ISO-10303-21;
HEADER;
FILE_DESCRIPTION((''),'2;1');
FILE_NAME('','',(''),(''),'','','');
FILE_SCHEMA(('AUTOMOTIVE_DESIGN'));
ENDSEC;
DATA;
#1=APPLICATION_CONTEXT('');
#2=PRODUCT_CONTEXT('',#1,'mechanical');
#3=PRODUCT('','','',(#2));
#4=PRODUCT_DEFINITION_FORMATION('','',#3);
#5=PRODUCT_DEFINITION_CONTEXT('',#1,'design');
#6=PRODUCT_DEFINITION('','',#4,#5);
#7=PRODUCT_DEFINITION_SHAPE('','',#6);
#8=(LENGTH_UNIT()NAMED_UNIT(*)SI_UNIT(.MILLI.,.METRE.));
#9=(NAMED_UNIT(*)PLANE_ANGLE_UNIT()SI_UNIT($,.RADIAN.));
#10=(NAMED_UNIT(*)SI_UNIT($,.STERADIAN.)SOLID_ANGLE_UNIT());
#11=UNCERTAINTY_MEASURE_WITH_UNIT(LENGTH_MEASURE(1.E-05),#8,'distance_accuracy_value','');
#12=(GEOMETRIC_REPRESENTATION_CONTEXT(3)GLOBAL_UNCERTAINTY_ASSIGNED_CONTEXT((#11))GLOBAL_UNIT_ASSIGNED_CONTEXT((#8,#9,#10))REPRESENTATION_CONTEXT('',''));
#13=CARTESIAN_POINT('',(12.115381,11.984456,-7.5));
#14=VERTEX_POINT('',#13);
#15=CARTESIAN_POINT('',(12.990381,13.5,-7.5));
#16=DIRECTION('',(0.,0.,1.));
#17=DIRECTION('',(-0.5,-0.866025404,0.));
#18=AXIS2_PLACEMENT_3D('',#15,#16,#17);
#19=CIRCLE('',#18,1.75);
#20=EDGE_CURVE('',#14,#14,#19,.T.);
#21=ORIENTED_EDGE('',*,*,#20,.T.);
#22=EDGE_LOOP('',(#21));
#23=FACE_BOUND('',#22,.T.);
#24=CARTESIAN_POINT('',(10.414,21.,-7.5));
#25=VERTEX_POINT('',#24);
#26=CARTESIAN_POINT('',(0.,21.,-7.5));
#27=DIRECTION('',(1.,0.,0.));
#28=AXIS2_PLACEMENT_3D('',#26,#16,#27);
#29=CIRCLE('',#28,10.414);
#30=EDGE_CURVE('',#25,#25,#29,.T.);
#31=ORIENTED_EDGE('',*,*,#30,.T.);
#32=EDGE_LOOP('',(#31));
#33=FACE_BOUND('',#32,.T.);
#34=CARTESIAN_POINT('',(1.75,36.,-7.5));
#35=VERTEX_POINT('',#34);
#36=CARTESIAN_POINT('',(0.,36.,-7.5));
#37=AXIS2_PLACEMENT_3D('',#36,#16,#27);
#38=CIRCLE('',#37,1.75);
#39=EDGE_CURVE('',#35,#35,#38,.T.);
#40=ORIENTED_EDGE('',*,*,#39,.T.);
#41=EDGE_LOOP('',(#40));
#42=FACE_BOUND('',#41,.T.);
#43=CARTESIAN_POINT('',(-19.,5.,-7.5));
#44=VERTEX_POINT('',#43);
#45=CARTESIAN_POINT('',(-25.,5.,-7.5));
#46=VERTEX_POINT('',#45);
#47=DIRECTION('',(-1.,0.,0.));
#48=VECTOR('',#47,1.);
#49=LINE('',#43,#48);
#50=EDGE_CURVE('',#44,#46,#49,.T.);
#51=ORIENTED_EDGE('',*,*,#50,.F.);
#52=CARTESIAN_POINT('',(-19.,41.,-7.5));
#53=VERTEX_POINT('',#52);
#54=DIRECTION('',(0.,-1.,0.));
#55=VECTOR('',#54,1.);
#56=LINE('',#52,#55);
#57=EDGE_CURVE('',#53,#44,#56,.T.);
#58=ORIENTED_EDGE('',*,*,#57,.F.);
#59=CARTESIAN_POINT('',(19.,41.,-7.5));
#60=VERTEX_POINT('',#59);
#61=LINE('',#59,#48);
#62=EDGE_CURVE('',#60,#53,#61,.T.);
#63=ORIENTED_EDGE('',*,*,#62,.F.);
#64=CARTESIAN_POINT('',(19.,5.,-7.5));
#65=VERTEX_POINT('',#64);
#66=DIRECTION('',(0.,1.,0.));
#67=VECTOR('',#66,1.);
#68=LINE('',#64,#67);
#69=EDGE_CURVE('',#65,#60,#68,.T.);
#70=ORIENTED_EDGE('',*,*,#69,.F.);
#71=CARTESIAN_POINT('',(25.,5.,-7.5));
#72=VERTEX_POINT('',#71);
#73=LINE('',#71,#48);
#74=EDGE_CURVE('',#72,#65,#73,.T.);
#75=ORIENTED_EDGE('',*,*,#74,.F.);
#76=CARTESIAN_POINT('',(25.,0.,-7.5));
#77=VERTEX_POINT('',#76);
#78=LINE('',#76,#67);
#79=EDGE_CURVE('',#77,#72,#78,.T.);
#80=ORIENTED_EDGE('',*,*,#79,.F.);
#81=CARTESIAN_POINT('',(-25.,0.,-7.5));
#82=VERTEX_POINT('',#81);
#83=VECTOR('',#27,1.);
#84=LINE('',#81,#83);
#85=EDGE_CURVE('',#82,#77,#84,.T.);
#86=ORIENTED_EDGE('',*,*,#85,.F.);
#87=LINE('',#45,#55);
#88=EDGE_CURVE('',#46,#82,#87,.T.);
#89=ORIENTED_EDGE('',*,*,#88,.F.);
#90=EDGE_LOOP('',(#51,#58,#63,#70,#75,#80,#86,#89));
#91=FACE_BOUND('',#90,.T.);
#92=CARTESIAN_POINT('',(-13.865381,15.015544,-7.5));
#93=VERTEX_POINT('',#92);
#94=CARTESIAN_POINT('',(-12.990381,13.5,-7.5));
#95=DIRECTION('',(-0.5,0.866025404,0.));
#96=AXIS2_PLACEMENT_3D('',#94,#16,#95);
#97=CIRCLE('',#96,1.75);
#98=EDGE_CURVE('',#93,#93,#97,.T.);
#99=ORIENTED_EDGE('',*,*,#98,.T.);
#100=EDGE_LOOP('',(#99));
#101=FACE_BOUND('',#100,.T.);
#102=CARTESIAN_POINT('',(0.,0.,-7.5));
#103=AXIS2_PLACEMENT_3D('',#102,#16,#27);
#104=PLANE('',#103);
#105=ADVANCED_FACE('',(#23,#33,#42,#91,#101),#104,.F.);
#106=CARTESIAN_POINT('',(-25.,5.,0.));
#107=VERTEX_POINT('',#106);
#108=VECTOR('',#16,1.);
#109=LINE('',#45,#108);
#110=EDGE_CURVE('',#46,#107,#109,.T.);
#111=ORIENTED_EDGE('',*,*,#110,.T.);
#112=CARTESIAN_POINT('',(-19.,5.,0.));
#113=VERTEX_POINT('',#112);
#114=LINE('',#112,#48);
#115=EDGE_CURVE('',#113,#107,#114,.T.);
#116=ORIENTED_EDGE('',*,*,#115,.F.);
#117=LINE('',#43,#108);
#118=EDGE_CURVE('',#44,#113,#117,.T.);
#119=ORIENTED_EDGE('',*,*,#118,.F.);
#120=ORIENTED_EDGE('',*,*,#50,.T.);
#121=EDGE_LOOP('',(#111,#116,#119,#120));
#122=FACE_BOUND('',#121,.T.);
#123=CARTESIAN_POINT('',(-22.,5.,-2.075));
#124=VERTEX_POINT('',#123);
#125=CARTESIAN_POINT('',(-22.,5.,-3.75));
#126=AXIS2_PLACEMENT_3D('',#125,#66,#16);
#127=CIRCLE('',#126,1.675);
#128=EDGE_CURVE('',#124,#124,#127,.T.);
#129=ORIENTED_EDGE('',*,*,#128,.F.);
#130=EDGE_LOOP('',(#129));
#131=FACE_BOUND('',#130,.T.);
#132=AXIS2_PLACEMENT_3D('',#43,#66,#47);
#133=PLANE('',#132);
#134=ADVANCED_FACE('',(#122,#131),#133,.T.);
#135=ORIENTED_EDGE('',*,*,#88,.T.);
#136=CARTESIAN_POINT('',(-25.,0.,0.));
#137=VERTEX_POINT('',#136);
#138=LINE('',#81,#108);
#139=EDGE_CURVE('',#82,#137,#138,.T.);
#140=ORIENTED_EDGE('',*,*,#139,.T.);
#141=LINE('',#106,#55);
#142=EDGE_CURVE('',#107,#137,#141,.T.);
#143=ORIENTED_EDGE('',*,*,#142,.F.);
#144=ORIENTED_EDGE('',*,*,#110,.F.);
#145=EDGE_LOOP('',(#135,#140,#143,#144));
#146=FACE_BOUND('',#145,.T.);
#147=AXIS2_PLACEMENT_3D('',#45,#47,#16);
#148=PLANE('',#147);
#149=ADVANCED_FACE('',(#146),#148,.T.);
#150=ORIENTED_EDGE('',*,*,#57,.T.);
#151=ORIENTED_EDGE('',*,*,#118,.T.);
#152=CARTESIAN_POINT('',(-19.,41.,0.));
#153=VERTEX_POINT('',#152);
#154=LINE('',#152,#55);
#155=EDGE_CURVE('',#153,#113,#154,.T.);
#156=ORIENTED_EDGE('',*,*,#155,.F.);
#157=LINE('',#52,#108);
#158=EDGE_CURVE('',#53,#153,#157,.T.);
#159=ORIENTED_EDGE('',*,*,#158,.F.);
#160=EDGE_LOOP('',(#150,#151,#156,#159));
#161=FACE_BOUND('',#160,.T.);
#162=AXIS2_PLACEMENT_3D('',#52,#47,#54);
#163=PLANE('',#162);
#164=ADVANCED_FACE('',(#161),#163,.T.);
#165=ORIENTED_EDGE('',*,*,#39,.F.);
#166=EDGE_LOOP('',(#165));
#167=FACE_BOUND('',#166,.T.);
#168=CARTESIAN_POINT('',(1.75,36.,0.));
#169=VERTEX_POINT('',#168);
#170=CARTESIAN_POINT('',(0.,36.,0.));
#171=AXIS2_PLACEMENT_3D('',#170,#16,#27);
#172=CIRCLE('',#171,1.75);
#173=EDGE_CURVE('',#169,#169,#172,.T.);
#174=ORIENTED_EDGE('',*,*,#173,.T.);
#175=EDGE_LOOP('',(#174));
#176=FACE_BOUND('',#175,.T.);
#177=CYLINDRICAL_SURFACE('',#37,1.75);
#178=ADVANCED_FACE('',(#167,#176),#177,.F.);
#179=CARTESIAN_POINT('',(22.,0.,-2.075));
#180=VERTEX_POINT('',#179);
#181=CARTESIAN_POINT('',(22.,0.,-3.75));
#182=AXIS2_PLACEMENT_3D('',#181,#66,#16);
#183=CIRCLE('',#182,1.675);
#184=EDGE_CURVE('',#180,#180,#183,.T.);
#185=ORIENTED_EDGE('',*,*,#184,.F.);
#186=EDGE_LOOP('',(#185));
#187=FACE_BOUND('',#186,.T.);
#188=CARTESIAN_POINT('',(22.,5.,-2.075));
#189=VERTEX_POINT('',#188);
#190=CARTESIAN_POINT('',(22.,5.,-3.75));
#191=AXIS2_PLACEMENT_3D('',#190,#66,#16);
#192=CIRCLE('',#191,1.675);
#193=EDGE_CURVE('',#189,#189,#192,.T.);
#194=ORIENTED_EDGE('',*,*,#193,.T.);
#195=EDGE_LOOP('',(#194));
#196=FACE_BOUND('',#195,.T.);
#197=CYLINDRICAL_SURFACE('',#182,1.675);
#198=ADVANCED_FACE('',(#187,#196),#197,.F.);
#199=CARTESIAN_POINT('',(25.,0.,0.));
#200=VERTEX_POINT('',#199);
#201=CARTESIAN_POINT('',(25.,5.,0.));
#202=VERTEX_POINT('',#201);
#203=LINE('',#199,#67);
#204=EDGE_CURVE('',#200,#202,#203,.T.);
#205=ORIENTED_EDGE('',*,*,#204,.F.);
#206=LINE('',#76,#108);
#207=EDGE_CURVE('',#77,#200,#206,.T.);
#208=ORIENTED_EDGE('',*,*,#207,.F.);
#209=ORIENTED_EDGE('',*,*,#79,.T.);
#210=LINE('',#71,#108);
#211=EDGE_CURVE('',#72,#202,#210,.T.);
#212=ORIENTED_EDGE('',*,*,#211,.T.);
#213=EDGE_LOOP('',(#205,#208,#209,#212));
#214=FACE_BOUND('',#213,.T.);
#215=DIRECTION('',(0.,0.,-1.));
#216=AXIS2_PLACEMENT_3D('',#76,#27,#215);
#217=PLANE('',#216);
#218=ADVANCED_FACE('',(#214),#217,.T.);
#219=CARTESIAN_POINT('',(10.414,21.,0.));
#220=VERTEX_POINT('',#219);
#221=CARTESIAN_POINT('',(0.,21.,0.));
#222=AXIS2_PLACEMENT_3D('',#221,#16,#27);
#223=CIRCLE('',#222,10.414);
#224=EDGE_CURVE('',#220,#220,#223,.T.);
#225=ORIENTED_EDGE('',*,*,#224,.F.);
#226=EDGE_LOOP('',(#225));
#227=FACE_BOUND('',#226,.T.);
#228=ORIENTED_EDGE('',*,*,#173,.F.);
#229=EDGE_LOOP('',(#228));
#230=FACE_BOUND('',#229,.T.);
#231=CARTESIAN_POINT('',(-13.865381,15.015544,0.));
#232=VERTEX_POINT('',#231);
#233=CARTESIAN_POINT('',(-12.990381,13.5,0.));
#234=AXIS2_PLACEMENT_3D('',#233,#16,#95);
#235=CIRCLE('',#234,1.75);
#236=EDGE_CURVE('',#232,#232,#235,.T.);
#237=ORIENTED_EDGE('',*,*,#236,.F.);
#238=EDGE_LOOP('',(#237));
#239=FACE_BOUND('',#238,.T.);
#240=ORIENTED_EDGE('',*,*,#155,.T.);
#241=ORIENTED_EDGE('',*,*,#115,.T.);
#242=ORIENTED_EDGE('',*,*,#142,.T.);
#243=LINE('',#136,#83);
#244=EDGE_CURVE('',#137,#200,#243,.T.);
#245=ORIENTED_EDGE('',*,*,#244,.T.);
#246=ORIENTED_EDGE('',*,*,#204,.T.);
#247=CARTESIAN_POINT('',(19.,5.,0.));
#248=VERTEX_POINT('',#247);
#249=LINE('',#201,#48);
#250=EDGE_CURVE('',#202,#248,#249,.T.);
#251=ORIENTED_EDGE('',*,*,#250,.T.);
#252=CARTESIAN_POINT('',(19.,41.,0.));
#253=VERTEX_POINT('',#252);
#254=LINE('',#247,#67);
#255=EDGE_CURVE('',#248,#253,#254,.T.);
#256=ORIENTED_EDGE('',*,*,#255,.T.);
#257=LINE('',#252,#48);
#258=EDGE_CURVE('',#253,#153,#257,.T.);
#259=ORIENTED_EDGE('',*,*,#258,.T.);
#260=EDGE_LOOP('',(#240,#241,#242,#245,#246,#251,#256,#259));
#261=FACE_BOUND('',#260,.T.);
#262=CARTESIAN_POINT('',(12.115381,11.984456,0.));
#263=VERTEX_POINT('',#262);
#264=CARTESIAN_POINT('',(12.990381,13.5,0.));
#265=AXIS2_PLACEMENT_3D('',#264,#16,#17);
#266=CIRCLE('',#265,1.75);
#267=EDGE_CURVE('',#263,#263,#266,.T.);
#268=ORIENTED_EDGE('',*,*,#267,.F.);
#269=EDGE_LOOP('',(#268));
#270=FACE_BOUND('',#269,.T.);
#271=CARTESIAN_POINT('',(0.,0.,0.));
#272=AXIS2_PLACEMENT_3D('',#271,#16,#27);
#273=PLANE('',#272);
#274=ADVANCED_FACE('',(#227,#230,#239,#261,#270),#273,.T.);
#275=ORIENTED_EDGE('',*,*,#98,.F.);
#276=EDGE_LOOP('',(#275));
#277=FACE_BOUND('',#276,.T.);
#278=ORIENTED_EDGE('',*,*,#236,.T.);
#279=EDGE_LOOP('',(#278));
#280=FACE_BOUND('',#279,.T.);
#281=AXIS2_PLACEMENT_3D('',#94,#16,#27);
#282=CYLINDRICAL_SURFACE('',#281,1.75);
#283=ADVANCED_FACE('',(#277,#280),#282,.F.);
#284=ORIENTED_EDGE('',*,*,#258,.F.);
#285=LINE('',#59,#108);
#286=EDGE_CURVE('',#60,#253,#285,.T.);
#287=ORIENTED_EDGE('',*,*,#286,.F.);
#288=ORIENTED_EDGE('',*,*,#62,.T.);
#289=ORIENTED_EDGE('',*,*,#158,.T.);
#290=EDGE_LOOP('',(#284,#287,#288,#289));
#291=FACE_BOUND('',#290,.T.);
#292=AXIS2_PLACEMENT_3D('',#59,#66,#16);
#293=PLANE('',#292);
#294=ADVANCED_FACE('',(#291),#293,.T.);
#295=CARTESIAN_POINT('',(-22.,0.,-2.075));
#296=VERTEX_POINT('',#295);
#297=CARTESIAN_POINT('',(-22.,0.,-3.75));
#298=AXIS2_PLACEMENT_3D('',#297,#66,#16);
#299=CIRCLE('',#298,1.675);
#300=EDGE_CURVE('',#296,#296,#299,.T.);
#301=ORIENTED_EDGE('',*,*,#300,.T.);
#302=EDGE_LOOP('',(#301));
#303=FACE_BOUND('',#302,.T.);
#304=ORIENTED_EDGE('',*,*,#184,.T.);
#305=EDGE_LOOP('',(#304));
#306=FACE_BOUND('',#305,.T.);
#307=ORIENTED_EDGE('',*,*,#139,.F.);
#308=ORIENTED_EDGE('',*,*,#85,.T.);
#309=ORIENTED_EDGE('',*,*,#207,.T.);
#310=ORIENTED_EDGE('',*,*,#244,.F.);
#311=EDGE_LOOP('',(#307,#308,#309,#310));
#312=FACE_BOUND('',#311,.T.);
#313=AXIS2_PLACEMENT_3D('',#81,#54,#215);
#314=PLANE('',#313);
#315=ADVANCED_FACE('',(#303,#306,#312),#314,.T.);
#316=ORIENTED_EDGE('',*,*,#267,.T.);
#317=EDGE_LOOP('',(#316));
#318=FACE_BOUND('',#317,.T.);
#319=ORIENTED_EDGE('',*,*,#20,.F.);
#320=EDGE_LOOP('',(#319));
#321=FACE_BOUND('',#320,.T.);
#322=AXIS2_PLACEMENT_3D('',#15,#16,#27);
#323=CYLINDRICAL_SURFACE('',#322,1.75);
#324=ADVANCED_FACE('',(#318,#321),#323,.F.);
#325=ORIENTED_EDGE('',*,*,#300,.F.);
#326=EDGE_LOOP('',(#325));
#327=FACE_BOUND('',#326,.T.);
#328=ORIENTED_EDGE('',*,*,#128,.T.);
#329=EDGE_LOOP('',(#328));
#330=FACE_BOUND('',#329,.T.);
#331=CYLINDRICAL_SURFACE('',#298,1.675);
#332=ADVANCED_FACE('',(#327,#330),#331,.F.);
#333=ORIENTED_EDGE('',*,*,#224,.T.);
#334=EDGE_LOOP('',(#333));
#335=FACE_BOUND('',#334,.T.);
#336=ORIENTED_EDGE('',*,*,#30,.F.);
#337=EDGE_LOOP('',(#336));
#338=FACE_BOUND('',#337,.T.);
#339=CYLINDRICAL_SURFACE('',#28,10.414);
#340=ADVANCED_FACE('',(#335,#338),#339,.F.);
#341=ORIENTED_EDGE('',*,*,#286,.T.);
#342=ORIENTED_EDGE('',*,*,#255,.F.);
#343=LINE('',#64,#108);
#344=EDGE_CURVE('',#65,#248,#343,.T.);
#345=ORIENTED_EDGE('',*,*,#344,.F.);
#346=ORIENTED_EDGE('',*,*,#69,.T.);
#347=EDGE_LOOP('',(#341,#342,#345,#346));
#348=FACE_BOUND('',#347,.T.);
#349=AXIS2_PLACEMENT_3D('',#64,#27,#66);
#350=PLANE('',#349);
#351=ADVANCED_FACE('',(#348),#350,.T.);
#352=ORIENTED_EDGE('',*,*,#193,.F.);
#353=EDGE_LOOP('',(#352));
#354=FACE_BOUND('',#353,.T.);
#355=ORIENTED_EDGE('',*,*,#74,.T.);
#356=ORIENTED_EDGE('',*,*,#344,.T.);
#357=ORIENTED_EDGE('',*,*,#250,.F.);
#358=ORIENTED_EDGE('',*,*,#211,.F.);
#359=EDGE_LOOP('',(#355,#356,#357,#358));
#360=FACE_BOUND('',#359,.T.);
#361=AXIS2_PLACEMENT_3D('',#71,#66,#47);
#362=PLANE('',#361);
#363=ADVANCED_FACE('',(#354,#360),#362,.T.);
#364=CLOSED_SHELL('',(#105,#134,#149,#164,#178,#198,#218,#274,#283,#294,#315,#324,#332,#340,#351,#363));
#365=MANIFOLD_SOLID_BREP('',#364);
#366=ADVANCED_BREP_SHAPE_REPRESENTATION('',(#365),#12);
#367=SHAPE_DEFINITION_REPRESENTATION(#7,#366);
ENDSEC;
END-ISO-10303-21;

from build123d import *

# Parameters (mm, degrees)
SKETCH2_R           = 10.414
BOSS_EXTRUDE1_DEPTH = 7.5
SKETCH5_R           = 1.75
CUT_EXTRUDE3_DEPTH  = 49.602983448
CIRPATTERN1_COUNT   = 3
SKETCH6_R           = 1.675
CUT_EXTRUDE4_DEPTH  = 45.466279359


with BuildPart() as part:
    # Sketch2 → Boss-Extrude1 (new body)
    with BuildSketch(Plane.XY):
        Polygon((-25, 0), (25, 0), (25, 5), (19, 5), (19, 41), (-19, 41), (-19, 5), (-25, 5), align=None)
        with Locations((0, 21)):
            Circle(SKETCH2_R, mode=Mode.SUBTRACT)
    extrude(amount=-BOSS_EXTRUDE1_DEPTH)

    # Sketch5 → Cut-Extrude3 (cut, through all)
    with BuildSketch(Plane.XY):
        with Locations((0, 36)):
            Circle(SKETCH5_R)
    cut_extrude3 = extrude(amount=-CUT_EXTRUDE3_DEPTH, mode=Mode.SUBTRACT)

    # CirPattern1: Cut-Extrude3 ×3 about axis
    cirpattern1_axis = Axis((0, 21, 0), (0, 0, 1))
    for i in range(1, CIRPATTERN1_COUNT):
        add(cut_extrude3.rotate(cirpattern1_axis, i * 360 / CIRPATTERN1_COUNT), mode=Mode.SUBTRACT)

    # Sketch6 → Cut-Extrude4 (cut, through all)
    with BuildSketch(Plane(origin=(0, 5, 0), x_dir=(1, 0, 0), z_dir=(0, 1, 0))):
        with Locations(Location((22, 3.75, 0), (0, 0, 270))):
            Circle(SKETCH6_R)
        with Locations(Location((-22, 3.75, 0), (0, 0, 270))):
            Circle(SKETCH6_R)
    extrude(amount=-CUT_EXTRUDE4_DEPTH, mode=Mode.SUBTRACT)


solid = part.part
